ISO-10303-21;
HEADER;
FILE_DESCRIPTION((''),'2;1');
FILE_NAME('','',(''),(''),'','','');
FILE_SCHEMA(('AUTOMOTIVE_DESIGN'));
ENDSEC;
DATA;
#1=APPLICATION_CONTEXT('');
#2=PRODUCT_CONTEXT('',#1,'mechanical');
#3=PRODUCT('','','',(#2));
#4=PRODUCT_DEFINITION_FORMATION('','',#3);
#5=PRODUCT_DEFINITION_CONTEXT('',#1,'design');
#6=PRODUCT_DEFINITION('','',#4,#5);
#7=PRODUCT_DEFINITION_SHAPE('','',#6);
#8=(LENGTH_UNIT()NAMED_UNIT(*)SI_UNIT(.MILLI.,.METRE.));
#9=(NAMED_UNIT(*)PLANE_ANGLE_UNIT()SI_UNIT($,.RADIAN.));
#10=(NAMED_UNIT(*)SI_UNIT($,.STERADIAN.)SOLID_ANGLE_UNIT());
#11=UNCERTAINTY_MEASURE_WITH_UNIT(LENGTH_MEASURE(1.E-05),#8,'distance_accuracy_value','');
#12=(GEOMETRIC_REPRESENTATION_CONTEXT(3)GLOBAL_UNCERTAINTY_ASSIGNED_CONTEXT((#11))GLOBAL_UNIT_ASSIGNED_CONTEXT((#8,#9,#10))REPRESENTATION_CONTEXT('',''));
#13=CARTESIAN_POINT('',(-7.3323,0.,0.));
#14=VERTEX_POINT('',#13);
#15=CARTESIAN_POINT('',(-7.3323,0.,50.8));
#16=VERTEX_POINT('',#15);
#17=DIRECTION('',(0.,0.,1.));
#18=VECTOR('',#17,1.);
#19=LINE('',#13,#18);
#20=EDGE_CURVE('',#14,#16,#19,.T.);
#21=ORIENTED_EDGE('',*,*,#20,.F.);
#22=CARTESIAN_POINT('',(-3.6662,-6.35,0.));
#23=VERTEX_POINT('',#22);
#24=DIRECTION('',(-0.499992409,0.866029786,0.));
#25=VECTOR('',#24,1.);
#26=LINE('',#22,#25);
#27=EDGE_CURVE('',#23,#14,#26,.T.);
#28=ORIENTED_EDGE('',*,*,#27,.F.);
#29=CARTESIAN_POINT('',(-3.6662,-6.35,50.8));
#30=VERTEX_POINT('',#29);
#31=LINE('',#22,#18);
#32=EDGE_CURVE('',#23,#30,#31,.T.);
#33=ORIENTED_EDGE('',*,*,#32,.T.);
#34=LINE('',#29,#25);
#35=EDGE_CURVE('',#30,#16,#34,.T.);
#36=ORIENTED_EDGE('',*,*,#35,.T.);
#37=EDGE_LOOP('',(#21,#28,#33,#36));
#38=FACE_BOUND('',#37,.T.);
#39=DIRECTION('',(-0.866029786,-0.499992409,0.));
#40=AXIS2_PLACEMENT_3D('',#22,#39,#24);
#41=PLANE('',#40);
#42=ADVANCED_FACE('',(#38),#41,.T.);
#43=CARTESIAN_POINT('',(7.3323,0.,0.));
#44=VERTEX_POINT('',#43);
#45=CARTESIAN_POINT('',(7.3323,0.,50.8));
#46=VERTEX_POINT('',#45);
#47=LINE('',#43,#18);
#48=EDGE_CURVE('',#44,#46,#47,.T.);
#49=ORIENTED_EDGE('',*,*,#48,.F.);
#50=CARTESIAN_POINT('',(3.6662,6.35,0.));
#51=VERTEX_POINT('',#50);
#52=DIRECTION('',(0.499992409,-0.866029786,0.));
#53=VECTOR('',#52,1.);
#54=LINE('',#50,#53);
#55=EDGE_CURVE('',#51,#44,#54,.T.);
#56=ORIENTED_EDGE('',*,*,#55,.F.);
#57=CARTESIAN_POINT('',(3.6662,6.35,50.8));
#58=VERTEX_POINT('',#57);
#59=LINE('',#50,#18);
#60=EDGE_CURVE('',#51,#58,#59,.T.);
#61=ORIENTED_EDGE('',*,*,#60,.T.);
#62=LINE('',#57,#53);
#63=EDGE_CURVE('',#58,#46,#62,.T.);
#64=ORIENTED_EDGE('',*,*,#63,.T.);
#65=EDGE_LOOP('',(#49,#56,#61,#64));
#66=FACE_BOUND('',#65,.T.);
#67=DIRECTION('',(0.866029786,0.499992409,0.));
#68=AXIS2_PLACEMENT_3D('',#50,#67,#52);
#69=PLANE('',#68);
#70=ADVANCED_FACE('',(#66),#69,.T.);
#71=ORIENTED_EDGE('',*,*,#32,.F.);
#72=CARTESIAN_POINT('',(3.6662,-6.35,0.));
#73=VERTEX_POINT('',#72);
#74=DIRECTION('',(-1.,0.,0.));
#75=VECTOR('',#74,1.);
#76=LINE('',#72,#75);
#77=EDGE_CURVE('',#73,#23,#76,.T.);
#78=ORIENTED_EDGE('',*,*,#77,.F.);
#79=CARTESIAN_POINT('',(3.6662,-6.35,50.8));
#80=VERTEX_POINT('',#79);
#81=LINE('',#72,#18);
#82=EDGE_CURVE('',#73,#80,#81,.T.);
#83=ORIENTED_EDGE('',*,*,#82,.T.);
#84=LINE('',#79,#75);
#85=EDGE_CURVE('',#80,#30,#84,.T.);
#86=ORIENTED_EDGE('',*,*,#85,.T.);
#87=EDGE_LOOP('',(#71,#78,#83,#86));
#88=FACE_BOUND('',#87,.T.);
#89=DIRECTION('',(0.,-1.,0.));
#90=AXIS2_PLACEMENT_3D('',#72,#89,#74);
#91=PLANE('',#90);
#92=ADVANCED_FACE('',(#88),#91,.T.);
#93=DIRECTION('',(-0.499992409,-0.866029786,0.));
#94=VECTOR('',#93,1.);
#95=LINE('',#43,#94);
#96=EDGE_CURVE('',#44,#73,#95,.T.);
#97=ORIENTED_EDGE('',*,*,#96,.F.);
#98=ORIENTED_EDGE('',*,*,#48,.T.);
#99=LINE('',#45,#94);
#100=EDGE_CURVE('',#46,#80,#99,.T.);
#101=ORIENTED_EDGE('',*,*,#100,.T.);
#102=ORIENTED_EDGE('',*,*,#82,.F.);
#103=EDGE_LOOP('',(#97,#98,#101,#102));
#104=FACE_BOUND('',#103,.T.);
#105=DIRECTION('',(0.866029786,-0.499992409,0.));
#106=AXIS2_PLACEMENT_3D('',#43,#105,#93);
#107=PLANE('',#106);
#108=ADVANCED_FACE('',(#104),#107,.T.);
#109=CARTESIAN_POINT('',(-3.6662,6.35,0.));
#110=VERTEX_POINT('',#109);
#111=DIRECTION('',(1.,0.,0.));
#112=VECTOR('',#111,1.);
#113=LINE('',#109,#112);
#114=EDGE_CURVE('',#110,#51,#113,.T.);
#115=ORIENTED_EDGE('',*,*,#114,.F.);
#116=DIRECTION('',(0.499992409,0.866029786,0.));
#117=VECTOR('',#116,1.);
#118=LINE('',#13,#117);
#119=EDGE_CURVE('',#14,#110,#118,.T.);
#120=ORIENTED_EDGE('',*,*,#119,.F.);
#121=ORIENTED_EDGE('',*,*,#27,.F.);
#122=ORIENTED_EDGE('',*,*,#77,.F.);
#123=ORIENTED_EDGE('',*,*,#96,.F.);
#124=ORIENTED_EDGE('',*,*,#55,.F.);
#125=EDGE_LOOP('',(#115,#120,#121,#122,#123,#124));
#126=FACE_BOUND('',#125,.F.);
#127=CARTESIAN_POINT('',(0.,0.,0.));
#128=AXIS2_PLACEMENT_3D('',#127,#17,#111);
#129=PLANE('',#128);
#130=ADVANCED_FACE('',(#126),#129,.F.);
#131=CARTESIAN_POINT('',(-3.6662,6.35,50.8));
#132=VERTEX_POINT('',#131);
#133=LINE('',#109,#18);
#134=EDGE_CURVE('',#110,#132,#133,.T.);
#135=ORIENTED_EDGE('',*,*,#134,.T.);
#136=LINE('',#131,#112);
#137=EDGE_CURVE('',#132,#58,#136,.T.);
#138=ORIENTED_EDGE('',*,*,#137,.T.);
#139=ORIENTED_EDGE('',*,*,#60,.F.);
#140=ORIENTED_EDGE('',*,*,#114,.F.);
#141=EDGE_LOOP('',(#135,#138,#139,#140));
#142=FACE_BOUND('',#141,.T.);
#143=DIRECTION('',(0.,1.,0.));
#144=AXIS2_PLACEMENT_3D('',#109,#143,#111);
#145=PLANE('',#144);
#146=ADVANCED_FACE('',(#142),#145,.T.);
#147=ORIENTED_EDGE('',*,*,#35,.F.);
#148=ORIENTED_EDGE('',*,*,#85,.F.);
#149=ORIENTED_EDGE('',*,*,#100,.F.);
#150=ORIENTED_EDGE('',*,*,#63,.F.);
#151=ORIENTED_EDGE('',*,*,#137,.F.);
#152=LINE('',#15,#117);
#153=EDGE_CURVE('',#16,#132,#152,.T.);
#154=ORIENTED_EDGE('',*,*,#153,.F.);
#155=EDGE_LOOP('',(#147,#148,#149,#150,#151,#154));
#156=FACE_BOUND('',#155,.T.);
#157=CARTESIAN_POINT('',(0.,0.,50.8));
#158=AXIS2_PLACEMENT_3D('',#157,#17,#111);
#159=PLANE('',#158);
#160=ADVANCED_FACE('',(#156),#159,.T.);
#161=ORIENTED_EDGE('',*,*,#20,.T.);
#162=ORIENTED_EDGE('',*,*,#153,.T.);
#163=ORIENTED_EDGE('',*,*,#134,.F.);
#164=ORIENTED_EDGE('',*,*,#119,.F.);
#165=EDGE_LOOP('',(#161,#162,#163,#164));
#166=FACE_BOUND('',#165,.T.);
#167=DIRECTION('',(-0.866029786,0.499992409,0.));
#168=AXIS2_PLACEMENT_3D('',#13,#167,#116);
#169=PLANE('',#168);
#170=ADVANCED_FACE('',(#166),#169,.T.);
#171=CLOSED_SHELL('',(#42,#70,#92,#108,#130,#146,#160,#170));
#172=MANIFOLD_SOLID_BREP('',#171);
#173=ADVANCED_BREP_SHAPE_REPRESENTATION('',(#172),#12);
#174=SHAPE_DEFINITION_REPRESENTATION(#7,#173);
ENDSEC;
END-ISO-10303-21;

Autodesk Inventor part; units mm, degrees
ref_plane "YZ Plane" through (0, 0, 0) normal (1, 0, 0) x (0, 1, 0)
ref_plane "XZ Plane" through (0, 0, 0) normal (0, 1, 0) x (-1, 0, 0)
ref_plane "XY Plane" through (0, 0, 0) normal (0, 0, 1) x (1, 0, 0)
sketch "Sketch1" plane through (0, 0, 0) normal (0, 0, 1) x (1, 0, 0)
  line L0 (3.6662, 6.35) -> (7.3323, 0)
  line L1 (7.3323, 0) -> (3.6662, -6.35)
  line L2 (3.6662, -6.35) -> (-3.6662, -6.35)
  line L3 (-3.6662, -6.35) -> (-7.3323, 0)
  line L4 (-7.3323, 0) -> (-3.6662, 6.35)
  line L5 (-3.6662, 6.35) -> (3.6662, 6.35)
  point P0 (0, 0)
  point P1 (0, 0)
  dimension "d0" = 12.7
extrude "Extrusion1" add sketch "Sketch1" along normal blind 50.8
properties part number "hex rod 2 inch" material "Steel, Alloy"
